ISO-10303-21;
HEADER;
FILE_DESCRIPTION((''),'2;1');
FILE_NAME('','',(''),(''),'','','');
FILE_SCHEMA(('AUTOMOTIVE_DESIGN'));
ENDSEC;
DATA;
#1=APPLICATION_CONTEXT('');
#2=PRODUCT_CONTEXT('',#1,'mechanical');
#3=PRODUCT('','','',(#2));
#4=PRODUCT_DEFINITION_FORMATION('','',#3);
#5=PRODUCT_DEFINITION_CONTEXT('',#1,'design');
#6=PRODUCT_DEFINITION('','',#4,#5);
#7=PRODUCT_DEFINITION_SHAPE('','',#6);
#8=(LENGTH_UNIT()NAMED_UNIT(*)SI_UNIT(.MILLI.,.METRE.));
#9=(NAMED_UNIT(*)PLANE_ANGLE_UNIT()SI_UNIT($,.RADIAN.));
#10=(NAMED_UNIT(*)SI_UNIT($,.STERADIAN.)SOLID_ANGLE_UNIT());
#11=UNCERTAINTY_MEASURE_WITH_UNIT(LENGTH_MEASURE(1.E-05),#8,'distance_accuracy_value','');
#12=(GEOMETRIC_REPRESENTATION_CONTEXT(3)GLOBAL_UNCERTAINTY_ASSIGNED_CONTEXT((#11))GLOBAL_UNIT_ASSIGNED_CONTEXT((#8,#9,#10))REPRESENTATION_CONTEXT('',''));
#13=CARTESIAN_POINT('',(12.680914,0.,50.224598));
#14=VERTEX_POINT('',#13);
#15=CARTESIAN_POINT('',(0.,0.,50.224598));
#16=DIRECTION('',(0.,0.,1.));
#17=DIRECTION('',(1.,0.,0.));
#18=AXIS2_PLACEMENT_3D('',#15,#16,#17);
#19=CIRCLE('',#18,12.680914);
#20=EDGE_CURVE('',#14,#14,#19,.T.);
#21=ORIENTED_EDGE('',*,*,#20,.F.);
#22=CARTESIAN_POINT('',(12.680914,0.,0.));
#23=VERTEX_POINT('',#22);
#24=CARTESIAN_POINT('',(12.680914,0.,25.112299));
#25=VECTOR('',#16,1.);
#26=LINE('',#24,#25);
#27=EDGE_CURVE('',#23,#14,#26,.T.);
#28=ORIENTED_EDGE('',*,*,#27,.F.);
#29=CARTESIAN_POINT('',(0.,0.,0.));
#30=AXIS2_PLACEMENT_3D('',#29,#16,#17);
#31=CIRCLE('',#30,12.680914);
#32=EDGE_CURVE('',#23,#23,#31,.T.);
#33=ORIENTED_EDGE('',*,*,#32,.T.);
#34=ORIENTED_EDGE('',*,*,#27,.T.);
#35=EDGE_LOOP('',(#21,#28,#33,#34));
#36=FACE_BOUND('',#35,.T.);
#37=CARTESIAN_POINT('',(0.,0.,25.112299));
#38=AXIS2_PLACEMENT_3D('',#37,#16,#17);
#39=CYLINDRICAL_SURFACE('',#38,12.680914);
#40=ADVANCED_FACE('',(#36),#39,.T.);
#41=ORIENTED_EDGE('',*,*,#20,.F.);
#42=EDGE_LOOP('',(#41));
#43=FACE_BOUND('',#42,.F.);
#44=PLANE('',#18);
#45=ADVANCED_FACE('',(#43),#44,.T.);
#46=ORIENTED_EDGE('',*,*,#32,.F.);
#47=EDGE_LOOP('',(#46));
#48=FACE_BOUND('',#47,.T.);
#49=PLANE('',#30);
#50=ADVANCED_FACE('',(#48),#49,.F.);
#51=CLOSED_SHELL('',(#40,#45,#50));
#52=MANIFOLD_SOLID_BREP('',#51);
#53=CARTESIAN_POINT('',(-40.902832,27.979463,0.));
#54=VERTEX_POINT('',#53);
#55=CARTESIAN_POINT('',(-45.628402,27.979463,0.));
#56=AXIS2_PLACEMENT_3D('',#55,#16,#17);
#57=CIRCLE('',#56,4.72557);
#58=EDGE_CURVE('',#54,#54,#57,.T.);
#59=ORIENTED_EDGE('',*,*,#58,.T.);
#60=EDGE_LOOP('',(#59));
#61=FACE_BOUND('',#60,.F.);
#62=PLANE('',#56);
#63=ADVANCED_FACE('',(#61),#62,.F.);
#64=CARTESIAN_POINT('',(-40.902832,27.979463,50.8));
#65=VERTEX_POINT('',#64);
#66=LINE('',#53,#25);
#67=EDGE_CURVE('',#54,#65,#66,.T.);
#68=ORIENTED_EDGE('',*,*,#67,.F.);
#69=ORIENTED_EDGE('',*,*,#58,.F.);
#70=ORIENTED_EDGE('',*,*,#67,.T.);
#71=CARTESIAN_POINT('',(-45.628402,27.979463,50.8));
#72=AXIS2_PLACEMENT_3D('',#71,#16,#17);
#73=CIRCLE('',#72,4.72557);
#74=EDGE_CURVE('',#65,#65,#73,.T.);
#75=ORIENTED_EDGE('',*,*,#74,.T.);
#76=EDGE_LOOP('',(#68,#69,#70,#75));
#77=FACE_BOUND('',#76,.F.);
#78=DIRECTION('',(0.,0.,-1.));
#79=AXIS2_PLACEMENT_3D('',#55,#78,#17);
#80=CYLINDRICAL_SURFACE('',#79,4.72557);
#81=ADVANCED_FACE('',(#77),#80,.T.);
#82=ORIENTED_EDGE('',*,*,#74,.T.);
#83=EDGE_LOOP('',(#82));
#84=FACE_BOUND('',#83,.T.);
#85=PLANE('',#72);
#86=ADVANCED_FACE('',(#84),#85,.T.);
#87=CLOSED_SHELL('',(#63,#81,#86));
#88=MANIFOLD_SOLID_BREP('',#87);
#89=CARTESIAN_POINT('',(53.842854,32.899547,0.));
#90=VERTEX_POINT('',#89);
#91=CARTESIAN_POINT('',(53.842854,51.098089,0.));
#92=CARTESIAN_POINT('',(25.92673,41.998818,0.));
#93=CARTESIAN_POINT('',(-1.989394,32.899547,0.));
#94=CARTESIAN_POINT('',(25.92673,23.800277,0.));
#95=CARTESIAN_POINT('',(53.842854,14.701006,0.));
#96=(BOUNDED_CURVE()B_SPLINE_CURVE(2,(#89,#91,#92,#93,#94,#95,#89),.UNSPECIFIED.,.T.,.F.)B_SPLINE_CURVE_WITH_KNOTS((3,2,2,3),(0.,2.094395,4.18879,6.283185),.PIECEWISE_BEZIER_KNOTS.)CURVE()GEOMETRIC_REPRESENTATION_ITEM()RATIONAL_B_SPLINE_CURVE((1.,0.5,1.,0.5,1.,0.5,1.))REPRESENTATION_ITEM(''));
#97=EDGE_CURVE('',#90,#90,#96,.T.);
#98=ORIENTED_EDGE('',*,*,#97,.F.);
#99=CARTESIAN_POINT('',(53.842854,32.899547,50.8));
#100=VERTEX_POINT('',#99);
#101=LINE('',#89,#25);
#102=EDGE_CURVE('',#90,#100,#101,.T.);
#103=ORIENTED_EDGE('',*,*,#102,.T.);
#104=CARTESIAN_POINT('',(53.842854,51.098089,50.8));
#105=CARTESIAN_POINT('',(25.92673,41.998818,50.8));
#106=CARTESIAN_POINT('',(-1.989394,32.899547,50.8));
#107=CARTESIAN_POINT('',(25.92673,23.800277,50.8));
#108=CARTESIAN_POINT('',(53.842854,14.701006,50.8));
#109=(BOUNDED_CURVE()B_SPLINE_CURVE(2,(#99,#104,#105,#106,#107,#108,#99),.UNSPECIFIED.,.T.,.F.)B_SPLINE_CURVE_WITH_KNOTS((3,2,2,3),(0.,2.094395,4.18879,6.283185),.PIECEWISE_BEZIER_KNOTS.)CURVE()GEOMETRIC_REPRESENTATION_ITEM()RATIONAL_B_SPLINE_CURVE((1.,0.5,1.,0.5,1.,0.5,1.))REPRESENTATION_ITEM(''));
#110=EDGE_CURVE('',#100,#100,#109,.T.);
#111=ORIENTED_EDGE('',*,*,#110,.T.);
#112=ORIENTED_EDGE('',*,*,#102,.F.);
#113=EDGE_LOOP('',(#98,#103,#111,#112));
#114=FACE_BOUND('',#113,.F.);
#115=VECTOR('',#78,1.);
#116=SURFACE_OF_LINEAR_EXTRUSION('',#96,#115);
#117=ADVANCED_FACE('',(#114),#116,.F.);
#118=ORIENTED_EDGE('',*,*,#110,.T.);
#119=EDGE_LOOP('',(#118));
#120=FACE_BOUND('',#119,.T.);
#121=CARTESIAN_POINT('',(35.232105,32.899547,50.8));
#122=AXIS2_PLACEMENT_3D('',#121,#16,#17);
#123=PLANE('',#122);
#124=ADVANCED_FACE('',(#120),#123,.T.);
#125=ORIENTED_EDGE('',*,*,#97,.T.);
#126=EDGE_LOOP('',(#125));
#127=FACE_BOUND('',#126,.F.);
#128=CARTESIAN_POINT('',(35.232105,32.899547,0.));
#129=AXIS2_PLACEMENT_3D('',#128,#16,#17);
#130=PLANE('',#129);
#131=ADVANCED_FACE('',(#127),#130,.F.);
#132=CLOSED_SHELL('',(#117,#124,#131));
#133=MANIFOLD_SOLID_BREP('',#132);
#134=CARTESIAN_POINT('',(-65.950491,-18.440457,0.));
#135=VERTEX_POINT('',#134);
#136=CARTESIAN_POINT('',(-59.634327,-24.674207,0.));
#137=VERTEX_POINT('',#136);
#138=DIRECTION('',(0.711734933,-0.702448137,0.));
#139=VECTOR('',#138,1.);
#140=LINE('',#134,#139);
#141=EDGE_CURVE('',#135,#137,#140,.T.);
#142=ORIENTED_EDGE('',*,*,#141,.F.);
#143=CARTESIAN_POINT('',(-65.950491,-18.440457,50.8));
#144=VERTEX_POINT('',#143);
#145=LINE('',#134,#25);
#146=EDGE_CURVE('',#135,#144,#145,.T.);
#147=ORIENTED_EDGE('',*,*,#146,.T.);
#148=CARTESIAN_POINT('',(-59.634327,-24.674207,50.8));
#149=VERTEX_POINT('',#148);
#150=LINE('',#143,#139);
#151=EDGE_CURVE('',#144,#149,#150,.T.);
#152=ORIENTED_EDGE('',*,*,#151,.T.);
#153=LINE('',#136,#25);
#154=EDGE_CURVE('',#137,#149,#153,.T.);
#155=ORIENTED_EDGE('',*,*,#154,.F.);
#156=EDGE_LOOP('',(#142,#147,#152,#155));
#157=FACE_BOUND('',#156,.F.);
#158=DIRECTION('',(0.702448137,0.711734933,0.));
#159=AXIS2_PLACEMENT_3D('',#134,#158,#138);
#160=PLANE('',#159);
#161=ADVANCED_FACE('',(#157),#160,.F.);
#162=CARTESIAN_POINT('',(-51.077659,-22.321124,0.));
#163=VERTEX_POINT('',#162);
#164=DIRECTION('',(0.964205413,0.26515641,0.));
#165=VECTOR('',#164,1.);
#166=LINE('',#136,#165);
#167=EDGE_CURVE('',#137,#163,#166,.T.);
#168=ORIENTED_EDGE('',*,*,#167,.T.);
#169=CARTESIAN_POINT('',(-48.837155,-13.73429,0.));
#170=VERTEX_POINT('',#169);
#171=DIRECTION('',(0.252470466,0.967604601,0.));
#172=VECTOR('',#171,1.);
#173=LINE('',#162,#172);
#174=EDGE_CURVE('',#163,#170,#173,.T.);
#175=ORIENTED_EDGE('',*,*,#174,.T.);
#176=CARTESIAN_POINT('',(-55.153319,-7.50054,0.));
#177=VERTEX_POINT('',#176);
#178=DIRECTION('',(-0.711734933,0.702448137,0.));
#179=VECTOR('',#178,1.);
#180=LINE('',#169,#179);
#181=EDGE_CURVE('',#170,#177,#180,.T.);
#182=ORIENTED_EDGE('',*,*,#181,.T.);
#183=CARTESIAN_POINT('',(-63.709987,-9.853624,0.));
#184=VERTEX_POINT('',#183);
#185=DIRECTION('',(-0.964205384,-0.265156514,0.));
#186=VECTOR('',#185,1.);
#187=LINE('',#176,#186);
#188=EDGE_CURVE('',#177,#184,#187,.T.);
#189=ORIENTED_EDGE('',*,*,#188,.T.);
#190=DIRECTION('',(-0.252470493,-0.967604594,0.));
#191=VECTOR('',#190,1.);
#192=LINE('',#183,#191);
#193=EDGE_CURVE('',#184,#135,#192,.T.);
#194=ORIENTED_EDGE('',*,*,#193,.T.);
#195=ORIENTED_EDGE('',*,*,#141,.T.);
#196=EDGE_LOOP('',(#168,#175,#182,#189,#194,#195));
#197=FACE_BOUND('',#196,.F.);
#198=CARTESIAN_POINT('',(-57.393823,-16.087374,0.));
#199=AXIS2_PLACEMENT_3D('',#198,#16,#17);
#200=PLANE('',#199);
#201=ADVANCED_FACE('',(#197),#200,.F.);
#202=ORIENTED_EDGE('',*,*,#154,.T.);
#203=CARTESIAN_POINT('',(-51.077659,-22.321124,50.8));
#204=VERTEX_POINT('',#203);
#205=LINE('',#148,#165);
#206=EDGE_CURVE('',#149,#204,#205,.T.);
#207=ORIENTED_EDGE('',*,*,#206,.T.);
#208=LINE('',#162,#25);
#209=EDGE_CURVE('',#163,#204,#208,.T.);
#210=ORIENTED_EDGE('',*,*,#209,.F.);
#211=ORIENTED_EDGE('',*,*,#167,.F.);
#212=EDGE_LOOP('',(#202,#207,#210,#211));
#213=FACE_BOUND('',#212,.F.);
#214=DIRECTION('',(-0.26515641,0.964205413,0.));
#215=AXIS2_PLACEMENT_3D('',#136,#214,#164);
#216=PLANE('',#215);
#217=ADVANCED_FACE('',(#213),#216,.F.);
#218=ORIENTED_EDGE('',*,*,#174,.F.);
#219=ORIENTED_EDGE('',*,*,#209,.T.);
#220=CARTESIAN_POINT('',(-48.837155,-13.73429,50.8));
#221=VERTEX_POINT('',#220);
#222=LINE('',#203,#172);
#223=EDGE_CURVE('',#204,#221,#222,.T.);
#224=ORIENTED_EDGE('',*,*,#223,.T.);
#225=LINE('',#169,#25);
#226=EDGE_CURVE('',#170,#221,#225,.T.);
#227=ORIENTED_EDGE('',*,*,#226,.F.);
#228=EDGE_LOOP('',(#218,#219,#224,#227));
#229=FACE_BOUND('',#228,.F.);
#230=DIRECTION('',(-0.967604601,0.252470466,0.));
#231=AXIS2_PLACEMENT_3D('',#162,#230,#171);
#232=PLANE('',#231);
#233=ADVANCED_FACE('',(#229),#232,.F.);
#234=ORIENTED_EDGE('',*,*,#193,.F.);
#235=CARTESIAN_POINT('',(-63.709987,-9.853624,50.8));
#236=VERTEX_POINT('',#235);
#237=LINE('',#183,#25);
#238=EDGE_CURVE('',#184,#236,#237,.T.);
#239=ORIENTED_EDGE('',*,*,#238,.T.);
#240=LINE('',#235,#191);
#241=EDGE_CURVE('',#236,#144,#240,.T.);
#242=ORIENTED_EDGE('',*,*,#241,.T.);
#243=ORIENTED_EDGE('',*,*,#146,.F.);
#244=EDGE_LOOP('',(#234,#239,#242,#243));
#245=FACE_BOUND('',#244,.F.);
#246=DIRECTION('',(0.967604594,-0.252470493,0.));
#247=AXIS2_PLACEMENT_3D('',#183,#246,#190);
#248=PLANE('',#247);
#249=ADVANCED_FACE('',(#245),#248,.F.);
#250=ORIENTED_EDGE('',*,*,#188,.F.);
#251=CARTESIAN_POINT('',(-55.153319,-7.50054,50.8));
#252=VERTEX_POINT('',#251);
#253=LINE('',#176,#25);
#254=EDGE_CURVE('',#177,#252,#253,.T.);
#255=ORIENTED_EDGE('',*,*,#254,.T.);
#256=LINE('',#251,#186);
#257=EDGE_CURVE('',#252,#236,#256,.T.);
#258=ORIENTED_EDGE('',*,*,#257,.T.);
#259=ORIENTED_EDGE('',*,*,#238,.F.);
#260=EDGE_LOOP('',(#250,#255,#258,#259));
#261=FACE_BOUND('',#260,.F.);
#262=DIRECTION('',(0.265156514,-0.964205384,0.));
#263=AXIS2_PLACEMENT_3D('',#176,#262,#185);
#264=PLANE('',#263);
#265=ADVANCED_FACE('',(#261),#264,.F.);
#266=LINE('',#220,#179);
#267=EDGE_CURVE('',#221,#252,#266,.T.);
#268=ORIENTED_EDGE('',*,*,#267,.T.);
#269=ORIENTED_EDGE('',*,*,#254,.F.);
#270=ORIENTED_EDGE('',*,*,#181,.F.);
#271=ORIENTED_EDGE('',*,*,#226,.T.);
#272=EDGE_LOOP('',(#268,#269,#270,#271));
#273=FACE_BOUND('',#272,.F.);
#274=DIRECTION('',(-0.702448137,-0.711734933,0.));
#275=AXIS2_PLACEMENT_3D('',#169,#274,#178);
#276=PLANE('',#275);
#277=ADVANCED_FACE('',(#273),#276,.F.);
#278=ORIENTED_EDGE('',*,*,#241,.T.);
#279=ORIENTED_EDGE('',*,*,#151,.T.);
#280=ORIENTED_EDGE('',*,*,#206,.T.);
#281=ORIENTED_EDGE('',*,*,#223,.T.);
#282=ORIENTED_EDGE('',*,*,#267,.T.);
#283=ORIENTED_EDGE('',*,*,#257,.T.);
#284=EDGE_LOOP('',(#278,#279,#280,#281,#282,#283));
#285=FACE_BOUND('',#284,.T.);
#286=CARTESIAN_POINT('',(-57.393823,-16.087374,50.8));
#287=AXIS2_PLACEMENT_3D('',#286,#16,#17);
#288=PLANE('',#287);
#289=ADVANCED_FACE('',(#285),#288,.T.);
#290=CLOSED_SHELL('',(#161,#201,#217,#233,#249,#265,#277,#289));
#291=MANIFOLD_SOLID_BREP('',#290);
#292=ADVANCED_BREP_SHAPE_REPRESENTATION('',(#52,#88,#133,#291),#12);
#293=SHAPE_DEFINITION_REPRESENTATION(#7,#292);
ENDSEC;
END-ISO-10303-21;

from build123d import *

# Parameters (mm, degrees)
F0_W     = 12.680914
F0_H     = 50.224598
F2_R     = 4.72557
F3_DEPTH = 50.8


with BuildPart() as f1:
    # F0 (on Front) → F1 (revolve)
    with BuildSketch(Plane.XZ):
        with Locations((6.340457, 25.112299)):
            Rectangle(F0_W, F0_H)
    revolve(axis=Axis((0, 0, 25.112299), (0, 0, 1)))


with BuildPart() as f3:
    # F2 (on Top) → F3 (new body)
    with BuildSketch(Plane.XY):
        with BuildLine():
            add(Edge.make_bspline(
                [(53.842854, 32.899547), (53.842854, 51.098089), (25.92673, 41.998818), (-1.989394, 32.899547), (25.92673, 23.800277), (53.842854, 14.701006), (53.842854, 32.899547)],
                knots=[0, 0, 0, 2.094395, 2.094395, 4.18879, 4.18879, 6.283185, 6.283185, 6.283185], degree=2, weights=[1, 0.5, 1, 0.5, 1, 0.5, 1]))
        make_face()
        with Locations((-45.628402, 27.979463)):
            Circle(F2_R)
        Polygon((-51.077659, -22.321124), (-48.837155, -13.73429), (-55.153319, -7.50054), (-63.709987, -9.853624), (-65.950491, -18.440457), (-59.634327, -24.674207), align=None)
    extrude(amount=F3_DEPTH)


solid = Compound([f1.part, f3.part])
